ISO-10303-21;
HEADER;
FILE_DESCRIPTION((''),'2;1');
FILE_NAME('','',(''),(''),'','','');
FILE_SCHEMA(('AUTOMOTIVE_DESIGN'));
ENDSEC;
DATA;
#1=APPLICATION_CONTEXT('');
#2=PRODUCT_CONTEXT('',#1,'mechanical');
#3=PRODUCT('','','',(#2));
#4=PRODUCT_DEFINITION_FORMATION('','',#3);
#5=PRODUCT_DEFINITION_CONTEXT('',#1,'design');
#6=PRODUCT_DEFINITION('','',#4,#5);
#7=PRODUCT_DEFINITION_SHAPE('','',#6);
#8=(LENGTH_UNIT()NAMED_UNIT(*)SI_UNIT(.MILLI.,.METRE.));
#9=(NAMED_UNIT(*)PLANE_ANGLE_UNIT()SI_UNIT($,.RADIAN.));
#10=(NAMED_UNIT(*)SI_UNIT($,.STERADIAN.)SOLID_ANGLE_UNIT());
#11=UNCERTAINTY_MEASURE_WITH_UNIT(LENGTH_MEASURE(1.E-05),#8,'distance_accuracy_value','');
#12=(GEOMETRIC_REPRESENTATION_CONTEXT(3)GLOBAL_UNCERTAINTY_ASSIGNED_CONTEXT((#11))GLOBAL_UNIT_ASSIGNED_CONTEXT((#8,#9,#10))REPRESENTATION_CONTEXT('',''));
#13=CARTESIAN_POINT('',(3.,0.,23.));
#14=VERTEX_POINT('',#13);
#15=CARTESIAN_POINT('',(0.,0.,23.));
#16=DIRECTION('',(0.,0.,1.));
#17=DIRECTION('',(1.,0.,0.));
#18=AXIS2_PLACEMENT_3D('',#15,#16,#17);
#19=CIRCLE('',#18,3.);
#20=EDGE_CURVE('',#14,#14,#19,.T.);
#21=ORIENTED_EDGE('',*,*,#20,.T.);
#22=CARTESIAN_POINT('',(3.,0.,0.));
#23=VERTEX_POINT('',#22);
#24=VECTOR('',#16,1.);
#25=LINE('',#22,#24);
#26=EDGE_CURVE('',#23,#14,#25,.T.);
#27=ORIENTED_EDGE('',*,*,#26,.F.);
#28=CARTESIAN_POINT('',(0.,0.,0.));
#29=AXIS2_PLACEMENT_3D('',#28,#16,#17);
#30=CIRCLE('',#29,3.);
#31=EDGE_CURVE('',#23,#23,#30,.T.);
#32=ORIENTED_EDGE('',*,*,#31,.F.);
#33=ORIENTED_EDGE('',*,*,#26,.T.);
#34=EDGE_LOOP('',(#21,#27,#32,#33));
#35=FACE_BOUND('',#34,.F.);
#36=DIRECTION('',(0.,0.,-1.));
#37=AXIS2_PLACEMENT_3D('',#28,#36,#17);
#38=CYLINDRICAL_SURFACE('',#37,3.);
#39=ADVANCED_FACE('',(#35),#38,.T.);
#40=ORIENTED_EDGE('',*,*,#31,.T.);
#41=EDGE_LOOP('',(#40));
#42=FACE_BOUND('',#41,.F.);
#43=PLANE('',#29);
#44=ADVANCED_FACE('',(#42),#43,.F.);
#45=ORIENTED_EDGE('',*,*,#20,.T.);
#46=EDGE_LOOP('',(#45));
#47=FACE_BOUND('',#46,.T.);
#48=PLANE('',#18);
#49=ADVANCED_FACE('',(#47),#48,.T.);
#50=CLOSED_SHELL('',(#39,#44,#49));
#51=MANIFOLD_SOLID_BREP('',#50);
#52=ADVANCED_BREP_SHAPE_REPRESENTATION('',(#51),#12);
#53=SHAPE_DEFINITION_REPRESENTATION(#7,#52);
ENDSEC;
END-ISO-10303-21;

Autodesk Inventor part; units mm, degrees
ref_plane "YZ Plane" through (0, 0, 0) normal (1, 0, 0) x (0, 1, 0)
ref_plane "XZ Plane" through (0, 0, 0) normal (0, 1, 0) x (-1, 0, 0)
ref_plane "XY Plane" through (0, 0, 0) normal (0, 0, 1) x (1, 0, 0)
sketch "Sketch1" plane through (0, 0, 0) normal (0, 0, 1) x (1, 0, 0)
  circle A0 centre (0, 0) radius 3
  dimension "d0" = 6
extrude "Extrusion1" add sketch "Sketch1" along normal blind 23
properties part number "404-shaft" material "Stainless Steel"
